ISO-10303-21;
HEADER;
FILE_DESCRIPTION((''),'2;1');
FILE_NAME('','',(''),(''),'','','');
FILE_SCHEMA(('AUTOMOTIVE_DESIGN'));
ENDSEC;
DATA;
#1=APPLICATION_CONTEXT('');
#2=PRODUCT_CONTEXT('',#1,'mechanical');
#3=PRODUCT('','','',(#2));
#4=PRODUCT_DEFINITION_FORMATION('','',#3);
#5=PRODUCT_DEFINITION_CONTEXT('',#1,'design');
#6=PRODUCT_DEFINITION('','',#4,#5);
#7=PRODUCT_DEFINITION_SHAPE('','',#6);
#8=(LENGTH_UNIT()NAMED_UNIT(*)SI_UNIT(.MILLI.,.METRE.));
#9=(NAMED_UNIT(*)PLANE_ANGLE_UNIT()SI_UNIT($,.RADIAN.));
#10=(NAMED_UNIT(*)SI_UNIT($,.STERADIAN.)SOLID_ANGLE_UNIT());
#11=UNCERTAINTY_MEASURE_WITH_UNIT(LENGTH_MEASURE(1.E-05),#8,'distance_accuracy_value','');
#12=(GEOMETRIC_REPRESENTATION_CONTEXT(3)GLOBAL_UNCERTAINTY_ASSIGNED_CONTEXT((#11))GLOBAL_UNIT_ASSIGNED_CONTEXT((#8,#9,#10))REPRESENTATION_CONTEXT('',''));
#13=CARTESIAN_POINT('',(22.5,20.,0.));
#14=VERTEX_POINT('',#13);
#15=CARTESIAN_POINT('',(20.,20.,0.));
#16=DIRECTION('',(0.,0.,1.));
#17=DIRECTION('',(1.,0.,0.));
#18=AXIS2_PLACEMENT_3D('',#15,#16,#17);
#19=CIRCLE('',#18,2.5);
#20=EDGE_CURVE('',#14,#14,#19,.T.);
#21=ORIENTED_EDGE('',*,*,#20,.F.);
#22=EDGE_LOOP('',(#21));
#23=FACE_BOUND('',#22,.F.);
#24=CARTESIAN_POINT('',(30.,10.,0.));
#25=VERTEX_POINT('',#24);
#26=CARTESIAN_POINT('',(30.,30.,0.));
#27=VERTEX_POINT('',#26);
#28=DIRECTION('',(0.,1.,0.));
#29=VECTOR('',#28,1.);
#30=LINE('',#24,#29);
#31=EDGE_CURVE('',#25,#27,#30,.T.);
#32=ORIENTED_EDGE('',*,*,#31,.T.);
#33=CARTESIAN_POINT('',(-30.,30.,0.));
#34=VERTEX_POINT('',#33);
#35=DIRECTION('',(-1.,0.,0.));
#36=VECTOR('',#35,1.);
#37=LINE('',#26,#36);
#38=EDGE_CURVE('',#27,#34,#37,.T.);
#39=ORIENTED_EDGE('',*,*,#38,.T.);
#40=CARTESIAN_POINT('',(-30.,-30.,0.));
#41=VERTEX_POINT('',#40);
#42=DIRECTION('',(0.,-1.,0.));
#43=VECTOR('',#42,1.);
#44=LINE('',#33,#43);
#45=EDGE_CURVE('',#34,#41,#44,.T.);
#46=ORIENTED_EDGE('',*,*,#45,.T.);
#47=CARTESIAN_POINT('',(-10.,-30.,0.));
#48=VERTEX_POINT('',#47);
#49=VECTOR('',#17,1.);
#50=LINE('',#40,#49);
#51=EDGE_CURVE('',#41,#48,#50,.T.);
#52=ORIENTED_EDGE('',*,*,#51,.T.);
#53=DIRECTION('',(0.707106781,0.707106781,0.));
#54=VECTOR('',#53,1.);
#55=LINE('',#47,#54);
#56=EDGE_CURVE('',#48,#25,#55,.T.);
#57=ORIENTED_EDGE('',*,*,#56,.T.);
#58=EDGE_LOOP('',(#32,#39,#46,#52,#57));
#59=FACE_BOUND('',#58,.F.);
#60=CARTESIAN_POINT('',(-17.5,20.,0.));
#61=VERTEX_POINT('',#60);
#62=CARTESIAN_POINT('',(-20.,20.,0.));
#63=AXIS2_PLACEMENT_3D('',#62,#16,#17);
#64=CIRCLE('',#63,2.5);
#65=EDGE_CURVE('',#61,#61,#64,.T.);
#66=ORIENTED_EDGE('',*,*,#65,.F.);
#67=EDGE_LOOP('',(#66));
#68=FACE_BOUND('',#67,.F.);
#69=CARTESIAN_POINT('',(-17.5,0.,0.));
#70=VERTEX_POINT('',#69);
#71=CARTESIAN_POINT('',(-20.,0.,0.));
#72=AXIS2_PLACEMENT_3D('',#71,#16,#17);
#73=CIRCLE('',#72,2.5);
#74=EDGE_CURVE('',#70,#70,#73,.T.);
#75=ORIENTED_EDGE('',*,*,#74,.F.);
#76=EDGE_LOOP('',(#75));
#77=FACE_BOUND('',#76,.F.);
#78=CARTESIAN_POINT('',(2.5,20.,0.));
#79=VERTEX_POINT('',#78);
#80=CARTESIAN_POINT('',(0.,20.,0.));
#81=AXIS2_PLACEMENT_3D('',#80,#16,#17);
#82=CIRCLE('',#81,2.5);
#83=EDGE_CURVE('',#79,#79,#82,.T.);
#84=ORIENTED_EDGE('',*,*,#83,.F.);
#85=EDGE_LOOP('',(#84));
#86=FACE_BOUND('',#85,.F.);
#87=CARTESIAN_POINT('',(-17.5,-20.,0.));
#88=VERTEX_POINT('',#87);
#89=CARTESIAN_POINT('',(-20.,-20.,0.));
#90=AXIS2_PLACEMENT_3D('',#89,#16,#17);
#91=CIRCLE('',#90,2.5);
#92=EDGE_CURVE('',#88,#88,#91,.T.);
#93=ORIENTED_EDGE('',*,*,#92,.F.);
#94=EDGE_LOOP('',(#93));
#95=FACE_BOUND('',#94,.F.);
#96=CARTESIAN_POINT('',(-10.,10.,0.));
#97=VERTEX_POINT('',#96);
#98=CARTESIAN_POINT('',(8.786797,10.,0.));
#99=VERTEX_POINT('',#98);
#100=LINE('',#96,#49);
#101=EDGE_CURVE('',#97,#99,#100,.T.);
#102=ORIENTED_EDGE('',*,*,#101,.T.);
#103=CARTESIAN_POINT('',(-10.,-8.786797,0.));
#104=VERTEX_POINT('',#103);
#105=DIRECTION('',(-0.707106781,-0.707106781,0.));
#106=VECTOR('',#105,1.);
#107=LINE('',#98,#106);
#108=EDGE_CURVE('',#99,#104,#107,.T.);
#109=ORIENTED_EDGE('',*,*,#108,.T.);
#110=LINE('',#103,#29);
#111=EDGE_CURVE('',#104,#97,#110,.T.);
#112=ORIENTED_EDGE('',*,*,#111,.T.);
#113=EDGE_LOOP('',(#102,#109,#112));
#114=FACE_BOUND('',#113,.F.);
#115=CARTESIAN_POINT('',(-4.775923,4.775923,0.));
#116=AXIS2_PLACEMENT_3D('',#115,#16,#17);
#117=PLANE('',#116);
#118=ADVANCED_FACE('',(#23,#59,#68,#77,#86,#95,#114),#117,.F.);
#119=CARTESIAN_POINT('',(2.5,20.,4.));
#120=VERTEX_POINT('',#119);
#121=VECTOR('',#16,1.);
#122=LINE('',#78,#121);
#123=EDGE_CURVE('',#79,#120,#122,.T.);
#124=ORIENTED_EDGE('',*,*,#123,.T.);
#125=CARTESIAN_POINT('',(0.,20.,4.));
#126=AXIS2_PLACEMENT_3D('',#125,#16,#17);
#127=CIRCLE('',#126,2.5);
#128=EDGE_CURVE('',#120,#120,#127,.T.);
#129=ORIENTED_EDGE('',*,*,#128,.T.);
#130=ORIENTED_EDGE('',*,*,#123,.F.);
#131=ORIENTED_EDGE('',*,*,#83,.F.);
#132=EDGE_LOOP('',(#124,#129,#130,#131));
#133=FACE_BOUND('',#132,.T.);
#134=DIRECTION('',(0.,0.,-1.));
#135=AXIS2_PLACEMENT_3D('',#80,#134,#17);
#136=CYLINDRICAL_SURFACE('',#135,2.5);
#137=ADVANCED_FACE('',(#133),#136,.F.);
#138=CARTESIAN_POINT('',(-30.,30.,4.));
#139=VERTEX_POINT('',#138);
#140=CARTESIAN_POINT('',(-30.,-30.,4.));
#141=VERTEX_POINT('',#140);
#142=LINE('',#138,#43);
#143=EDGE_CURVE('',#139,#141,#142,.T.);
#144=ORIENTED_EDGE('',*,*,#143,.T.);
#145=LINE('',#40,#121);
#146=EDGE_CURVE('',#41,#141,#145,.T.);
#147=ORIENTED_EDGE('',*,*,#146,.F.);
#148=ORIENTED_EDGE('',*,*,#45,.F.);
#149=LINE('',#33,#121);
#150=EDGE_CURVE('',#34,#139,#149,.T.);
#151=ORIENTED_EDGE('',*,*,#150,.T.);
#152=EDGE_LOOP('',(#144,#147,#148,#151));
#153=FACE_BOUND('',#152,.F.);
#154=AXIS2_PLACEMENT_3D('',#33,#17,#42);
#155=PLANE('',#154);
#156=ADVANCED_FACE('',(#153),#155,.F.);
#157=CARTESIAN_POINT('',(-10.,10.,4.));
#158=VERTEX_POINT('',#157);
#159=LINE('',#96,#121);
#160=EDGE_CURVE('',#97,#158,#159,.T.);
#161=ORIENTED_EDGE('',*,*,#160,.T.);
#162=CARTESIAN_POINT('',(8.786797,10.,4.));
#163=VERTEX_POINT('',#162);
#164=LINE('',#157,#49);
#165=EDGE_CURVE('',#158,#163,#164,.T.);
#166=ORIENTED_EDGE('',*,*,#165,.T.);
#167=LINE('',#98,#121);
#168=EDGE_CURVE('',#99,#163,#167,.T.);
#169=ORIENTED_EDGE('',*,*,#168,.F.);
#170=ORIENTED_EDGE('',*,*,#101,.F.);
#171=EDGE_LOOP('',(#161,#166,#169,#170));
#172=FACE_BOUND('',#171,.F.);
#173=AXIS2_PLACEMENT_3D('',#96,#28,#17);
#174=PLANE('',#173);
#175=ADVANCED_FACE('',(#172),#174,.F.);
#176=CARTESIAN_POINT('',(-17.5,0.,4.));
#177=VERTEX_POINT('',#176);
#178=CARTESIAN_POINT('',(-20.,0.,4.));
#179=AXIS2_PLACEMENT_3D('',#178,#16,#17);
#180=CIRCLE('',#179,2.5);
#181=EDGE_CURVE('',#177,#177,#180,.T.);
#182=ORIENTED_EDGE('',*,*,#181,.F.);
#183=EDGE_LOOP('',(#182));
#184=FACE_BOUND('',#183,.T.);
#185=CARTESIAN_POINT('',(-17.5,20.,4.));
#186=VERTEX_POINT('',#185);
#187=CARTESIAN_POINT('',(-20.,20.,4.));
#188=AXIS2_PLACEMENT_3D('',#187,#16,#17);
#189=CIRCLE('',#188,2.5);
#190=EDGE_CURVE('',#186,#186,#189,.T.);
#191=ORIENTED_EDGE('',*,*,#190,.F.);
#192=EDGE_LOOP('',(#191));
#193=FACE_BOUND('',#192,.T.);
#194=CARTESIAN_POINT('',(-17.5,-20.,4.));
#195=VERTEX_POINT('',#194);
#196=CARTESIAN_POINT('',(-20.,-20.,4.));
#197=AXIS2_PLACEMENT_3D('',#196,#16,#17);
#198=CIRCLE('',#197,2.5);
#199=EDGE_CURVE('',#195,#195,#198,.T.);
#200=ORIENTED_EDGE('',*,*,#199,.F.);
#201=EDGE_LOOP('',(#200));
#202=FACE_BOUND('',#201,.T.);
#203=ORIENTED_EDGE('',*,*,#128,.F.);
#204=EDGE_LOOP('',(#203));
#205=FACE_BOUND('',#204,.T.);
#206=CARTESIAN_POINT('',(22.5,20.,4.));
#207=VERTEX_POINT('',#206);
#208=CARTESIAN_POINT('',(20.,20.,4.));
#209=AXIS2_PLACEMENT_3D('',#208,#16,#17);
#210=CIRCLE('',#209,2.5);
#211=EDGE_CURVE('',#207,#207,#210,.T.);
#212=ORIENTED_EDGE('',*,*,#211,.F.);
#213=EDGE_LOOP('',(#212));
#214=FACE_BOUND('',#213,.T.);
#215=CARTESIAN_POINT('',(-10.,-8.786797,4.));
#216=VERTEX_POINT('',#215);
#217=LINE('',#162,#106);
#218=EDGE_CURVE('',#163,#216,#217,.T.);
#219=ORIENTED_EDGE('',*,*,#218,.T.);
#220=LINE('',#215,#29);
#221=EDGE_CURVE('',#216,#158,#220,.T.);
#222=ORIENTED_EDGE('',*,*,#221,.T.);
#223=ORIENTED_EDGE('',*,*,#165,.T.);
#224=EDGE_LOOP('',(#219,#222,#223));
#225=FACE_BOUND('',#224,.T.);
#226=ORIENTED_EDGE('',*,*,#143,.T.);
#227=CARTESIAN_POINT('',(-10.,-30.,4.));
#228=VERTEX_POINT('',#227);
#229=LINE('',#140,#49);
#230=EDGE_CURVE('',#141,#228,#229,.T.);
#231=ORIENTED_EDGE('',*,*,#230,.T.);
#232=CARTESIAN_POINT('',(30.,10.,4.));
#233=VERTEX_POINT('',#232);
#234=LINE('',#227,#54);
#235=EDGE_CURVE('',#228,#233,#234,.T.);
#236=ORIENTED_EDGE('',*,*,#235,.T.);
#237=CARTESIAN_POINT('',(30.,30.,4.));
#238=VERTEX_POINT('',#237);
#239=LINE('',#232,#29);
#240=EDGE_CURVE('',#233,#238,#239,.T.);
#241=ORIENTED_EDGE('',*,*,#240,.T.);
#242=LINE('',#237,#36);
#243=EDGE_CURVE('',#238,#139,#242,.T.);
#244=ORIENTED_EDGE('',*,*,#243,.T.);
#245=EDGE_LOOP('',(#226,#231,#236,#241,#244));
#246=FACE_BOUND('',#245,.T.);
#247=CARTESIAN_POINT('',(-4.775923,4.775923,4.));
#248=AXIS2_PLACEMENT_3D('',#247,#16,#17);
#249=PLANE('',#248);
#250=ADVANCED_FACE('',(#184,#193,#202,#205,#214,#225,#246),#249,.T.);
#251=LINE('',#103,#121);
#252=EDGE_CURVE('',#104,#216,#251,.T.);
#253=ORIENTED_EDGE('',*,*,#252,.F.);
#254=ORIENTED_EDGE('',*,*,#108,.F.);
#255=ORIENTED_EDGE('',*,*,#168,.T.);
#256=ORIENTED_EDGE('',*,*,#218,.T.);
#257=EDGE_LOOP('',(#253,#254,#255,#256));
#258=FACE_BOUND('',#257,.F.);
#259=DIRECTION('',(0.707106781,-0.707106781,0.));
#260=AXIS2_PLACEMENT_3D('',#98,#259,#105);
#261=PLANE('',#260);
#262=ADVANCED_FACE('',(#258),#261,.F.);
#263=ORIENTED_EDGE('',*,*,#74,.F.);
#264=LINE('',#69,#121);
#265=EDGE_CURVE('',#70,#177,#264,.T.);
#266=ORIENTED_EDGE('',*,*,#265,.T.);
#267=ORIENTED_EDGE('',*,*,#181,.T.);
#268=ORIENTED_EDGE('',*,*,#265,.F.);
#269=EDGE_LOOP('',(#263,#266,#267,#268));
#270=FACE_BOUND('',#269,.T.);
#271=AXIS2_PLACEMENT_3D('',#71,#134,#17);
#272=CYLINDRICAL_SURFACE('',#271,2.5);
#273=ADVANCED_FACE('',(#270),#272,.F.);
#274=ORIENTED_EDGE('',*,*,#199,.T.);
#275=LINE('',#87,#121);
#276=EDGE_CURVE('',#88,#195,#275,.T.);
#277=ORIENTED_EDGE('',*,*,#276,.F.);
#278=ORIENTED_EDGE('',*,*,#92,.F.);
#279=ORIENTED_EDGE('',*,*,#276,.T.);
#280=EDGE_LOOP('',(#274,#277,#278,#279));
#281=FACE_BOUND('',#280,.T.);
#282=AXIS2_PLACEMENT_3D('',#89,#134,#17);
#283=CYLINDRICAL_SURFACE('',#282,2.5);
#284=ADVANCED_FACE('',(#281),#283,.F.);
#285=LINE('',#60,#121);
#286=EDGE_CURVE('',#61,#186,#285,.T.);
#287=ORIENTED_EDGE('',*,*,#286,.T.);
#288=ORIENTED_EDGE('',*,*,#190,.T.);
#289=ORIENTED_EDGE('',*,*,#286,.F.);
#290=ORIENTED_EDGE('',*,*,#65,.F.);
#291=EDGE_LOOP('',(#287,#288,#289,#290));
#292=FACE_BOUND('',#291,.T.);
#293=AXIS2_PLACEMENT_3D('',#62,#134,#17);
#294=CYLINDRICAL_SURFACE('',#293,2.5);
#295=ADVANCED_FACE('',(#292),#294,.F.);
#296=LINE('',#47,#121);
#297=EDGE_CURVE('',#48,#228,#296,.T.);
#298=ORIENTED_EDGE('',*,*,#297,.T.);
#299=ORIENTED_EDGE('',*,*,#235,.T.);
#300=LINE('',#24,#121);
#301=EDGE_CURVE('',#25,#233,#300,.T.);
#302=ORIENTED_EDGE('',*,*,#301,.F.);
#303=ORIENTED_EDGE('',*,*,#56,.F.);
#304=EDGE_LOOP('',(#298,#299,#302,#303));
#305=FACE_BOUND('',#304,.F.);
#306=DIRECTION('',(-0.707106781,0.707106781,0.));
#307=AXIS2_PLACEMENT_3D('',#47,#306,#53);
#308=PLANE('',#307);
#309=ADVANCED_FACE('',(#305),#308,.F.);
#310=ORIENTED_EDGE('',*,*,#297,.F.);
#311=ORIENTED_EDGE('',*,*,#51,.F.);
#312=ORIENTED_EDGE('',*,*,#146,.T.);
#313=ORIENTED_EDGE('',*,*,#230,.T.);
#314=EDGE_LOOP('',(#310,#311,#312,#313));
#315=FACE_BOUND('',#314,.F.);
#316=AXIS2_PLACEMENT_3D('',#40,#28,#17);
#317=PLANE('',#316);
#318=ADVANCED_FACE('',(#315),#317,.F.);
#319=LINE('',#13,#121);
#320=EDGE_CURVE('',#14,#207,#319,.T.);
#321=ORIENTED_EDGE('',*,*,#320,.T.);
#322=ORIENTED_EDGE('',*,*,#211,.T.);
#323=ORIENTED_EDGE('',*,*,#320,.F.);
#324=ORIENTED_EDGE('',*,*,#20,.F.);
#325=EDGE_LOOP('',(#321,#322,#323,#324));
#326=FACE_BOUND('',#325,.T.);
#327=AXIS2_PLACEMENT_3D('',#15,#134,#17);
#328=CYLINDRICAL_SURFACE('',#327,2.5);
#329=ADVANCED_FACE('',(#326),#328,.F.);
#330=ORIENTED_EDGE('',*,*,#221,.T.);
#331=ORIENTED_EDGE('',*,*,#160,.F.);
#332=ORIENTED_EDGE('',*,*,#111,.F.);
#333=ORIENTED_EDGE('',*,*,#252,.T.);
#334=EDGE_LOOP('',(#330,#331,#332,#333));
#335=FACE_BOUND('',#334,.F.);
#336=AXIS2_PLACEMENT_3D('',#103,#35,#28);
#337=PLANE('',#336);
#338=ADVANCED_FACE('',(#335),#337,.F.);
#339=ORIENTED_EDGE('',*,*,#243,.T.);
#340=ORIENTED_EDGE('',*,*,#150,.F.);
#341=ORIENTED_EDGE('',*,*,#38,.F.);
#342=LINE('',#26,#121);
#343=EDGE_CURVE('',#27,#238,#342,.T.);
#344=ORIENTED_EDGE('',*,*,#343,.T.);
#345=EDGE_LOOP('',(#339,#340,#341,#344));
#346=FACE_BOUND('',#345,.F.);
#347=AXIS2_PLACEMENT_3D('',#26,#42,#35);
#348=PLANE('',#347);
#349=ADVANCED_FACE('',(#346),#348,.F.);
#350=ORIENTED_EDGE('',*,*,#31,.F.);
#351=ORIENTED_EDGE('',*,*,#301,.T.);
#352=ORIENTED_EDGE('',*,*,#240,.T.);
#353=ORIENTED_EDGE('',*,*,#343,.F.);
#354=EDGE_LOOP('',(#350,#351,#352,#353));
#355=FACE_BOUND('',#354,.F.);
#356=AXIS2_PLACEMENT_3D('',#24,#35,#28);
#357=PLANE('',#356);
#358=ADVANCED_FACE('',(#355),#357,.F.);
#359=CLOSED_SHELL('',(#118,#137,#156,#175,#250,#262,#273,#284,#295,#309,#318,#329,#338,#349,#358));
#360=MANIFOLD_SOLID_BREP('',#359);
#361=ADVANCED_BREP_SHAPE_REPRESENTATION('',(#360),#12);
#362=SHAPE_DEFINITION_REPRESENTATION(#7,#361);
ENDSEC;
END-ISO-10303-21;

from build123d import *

# Parameters (mm, degrees)
F0_R     = 2.5
F1_DEPTH = 4


with BuildPart() as f1:
    # F0 (on Top) → F1 (new body)
    with BuildSketch(Plane.XY):
        Polygon((30, 30), (-30, 30), (-30, -30), (-10, -30), (30, 10), align=None)
        with Locations((-20, -20)):
            Circle(F0_R, mode=Mode.SUBTRACT)
        with Locations((-20, 0)):
            Circle(F0_R, mode=Mode.SUBTRACT)
        Polygon((8.786797, 10), (-10, -8.786797), (-10, 10), align=None, mode=Mode.SUBTRACT)
        with Locations((-20, 20)):
            Circle(F0_R, mode=Mode.SUBTRACT)
        with Locations((0, 20)):
            Circle(F0_R, mode=Mode.SUBTRACT)
        with Locations((20, 20)):
            Circle(F0_R, mode=Mode.SUBTRACT)
    extrude(amount=F1_DEPTH)


solid = f1.part
